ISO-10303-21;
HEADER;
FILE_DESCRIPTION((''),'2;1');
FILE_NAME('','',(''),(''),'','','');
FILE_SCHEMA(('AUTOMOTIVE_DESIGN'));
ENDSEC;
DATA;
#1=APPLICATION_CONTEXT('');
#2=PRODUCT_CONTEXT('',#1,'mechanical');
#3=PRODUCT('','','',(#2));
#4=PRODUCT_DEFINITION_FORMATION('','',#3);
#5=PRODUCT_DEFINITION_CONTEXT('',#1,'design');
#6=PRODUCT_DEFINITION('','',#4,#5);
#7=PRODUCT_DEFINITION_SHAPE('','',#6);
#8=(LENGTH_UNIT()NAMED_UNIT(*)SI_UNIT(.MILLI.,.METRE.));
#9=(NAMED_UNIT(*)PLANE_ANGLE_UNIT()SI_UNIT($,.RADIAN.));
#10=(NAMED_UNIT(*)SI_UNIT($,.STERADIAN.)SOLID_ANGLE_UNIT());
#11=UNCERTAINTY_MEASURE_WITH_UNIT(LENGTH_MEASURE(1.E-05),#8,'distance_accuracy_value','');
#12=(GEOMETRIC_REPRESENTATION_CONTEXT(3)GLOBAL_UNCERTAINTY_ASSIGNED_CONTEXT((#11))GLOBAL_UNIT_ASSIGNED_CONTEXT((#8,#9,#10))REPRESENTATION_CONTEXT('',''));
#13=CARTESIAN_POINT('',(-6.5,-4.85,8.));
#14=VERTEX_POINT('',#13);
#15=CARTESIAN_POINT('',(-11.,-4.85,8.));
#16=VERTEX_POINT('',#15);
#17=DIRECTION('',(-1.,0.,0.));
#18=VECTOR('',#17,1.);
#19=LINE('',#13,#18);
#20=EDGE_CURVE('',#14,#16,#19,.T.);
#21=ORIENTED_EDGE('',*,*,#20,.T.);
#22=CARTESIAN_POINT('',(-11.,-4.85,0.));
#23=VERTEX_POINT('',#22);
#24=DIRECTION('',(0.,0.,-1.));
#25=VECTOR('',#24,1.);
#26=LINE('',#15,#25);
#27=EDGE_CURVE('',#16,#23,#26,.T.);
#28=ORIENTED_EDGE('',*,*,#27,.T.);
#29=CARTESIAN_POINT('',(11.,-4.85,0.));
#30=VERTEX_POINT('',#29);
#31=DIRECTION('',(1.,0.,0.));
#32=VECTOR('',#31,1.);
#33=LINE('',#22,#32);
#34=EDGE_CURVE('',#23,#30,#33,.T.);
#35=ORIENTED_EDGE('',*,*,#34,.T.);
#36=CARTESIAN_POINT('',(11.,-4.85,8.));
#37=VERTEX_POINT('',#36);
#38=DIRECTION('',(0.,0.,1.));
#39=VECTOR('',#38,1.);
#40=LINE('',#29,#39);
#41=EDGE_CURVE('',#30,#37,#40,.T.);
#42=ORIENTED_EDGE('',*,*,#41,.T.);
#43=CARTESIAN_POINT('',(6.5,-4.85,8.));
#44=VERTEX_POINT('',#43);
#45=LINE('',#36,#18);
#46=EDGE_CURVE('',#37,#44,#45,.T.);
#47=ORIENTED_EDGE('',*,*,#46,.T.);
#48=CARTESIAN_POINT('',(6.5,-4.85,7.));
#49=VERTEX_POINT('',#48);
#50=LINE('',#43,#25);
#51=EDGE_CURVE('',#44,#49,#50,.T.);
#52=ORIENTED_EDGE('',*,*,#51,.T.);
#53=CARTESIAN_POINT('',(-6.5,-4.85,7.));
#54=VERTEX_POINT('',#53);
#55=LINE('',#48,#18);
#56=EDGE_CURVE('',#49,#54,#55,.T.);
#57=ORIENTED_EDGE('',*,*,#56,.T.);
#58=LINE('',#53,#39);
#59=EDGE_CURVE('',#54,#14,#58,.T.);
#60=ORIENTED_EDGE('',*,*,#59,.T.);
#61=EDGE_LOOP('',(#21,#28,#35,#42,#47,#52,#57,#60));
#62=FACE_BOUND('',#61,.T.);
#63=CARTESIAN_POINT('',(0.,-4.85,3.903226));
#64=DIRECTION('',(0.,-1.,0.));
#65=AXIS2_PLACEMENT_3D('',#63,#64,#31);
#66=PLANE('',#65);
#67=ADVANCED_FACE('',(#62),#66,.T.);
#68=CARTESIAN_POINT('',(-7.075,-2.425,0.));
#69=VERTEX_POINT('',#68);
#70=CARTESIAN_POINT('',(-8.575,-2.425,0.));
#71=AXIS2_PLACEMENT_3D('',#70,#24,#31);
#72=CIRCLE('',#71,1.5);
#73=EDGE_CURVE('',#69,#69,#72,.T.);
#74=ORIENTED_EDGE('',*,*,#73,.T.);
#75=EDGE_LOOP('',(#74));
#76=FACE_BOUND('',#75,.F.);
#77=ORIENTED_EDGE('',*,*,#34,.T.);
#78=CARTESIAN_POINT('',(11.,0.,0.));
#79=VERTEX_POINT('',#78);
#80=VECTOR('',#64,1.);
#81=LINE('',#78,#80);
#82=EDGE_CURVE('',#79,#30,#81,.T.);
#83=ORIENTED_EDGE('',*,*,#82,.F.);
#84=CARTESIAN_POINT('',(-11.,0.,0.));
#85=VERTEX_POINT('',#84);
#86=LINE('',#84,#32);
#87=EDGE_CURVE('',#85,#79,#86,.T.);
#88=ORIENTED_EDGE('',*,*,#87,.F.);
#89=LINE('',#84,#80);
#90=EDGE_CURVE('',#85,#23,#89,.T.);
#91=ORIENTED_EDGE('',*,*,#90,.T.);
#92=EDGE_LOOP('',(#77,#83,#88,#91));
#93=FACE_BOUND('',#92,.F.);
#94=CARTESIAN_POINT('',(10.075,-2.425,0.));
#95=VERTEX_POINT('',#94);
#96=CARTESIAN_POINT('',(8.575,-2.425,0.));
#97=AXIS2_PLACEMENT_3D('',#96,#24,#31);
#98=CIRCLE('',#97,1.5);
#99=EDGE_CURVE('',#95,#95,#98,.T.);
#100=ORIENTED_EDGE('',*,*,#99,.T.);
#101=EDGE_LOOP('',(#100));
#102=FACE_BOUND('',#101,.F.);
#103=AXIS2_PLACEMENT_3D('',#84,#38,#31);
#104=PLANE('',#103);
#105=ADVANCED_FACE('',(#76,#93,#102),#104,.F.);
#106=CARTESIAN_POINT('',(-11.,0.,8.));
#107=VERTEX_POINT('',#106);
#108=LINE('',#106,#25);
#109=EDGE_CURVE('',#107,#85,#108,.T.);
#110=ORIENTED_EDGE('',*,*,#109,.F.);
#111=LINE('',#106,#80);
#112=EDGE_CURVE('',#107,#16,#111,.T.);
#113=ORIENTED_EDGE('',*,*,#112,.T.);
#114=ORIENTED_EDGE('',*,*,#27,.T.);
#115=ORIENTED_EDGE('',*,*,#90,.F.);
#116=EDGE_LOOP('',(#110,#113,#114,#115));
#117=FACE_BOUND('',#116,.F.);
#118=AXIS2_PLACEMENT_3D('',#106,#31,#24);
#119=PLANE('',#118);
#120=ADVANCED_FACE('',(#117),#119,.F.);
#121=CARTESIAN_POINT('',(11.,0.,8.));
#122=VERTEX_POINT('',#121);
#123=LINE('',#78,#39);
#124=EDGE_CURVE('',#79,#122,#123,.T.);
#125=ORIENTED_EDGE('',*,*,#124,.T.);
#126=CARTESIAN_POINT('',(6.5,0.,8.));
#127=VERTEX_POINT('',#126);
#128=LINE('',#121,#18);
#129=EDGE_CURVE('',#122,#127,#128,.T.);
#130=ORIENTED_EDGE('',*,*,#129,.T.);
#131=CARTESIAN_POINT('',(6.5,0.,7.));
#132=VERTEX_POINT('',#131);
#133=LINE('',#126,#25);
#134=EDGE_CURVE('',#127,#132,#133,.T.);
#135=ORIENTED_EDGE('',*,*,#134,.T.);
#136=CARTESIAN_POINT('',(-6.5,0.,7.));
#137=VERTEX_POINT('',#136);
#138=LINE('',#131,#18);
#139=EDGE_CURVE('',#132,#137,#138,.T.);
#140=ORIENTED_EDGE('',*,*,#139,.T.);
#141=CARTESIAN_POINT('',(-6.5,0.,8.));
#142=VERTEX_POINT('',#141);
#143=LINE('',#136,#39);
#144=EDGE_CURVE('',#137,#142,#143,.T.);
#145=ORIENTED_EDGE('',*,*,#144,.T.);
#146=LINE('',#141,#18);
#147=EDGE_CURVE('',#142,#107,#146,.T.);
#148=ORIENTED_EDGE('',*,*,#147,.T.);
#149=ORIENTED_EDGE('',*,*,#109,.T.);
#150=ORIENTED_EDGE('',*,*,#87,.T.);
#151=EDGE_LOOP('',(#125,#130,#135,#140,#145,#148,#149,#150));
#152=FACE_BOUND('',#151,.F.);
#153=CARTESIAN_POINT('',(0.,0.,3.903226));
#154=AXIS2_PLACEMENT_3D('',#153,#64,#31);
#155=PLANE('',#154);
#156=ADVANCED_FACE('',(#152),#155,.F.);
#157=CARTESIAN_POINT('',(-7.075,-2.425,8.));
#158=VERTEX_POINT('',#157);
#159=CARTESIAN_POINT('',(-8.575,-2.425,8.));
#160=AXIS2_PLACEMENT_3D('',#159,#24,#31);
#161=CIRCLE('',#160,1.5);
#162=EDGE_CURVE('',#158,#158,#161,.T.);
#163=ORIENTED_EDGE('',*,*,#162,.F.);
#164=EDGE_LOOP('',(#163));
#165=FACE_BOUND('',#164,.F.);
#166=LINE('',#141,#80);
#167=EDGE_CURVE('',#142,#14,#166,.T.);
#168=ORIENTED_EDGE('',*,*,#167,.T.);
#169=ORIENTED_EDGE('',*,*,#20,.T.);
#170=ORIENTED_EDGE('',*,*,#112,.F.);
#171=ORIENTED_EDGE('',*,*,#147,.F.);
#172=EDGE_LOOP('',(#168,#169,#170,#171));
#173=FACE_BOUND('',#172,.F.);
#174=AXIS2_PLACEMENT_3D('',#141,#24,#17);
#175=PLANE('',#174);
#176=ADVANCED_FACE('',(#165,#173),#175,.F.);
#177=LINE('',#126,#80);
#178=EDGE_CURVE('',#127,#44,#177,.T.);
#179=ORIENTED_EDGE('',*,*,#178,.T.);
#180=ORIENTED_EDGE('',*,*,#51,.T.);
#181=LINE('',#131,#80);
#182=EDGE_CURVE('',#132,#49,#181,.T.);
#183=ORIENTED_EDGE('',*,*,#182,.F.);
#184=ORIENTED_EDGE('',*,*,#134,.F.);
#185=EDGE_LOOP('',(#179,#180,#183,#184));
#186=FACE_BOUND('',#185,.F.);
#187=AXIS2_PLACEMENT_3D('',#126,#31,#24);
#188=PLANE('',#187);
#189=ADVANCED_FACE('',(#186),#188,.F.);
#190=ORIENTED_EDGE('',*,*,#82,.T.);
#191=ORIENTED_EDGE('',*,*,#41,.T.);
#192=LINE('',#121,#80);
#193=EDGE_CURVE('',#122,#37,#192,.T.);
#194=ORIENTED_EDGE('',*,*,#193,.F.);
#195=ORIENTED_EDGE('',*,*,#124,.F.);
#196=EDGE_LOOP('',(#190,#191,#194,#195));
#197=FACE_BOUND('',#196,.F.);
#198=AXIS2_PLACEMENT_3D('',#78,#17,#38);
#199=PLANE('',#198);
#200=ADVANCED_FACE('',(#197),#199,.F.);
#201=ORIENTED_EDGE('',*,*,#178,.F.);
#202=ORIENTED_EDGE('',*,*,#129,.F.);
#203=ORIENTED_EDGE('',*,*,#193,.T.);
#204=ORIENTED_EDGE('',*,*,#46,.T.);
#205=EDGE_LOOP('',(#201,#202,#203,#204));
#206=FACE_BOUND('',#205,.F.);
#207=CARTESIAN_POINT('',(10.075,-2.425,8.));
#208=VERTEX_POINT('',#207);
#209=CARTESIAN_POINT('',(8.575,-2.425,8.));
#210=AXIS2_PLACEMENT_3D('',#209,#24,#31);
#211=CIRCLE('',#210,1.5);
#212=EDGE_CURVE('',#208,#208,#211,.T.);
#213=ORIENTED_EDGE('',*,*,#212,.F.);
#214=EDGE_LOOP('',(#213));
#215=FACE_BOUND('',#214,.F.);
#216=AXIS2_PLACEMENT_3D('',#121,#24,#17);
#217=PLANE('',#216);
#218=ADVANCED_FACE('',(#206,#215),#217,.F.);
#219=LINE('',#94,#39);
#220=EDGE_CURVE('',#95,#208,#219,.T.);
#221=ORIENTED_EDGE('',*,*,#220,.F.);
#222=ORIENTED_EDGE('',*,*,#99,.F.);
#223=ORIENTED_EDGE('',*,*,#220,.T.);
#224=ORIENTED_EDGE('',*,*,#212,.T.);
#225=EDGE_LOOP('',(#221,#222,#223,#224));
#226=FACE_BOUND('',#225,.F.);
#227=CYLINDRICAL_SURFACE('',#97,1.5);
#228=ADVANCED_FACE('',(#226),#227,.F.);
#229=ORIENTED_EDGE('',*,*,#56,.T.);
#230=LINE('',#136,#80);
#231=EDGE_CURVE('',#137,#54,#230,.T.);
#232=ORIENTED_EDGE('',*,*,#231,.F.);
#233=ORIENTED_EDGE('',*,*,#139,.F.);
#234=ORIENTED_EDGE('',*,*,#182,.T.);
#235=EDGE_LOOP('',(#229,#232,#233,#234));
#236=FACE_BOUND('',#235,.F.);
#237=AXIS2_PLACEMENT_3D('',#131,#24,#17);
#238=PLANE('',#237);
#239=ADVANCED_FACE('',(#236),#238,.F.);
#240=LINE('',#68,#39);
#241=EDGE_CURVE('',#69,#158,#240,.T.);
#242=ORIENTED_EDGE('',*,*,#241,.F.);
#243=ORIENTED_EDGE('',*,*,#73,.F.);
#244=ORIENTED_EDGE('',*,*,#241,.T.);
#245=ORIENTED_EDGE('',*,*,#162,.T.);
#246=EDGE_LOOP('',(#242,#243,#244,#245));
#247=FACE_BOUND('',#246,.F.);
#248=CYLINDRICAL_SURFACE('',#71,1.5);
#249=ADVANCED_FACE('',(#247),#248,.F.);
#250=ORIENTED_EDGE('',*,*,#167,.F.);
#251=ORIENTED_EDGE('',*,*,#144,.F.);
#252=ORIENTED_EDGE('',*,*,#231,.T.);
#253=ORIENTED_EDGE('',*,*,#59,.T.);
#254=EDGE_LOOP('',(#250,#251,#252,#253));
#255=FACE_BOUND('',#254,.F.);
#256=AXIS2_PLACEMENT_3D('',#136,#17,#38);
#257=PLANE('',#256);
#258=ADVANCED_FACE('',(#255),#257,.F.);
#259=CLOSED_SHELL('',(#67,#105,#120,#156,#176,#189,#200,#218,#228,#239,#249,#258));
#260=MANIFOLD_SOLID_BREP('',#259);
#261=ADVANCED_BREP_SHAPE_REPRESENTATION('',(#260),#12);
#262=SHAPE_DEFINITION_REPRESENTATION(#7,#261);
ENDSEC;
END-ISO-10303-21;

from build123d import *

# Parameters (mm, degrees)
F1_DEPTH = 4.85
F2_R     = 1.5
F3_DEPTH = 10


with BuildPart() as f1:
    # F0 (on Front) → F1 (new body)
    with BuildSketch(Plane.XZ):
        Polygon((-11, 8), (-11, 0), (11, 0), (11, 8), (6.5, 8), (6.5, 7), (-6.5, 7), (-6.5, 8), align=None)
    extrude(amount=F1_DEPTH)

    # F2 (on face) → F3 (cut)
    with BuildSketch(Plane(origin=(0, 0, 0), x_dir=(1, 0, 0), z_dir=(0, 0, -1))):
        with Locations((-8.575, 2.425)):
            Circle(F2_R)
        with Locations((8.575, 2.425)):
            Circle(F2_R)
    extrude(amount=-F3_DEPTH, mode=Mode.SUBTRACT)


solid = f1.part
